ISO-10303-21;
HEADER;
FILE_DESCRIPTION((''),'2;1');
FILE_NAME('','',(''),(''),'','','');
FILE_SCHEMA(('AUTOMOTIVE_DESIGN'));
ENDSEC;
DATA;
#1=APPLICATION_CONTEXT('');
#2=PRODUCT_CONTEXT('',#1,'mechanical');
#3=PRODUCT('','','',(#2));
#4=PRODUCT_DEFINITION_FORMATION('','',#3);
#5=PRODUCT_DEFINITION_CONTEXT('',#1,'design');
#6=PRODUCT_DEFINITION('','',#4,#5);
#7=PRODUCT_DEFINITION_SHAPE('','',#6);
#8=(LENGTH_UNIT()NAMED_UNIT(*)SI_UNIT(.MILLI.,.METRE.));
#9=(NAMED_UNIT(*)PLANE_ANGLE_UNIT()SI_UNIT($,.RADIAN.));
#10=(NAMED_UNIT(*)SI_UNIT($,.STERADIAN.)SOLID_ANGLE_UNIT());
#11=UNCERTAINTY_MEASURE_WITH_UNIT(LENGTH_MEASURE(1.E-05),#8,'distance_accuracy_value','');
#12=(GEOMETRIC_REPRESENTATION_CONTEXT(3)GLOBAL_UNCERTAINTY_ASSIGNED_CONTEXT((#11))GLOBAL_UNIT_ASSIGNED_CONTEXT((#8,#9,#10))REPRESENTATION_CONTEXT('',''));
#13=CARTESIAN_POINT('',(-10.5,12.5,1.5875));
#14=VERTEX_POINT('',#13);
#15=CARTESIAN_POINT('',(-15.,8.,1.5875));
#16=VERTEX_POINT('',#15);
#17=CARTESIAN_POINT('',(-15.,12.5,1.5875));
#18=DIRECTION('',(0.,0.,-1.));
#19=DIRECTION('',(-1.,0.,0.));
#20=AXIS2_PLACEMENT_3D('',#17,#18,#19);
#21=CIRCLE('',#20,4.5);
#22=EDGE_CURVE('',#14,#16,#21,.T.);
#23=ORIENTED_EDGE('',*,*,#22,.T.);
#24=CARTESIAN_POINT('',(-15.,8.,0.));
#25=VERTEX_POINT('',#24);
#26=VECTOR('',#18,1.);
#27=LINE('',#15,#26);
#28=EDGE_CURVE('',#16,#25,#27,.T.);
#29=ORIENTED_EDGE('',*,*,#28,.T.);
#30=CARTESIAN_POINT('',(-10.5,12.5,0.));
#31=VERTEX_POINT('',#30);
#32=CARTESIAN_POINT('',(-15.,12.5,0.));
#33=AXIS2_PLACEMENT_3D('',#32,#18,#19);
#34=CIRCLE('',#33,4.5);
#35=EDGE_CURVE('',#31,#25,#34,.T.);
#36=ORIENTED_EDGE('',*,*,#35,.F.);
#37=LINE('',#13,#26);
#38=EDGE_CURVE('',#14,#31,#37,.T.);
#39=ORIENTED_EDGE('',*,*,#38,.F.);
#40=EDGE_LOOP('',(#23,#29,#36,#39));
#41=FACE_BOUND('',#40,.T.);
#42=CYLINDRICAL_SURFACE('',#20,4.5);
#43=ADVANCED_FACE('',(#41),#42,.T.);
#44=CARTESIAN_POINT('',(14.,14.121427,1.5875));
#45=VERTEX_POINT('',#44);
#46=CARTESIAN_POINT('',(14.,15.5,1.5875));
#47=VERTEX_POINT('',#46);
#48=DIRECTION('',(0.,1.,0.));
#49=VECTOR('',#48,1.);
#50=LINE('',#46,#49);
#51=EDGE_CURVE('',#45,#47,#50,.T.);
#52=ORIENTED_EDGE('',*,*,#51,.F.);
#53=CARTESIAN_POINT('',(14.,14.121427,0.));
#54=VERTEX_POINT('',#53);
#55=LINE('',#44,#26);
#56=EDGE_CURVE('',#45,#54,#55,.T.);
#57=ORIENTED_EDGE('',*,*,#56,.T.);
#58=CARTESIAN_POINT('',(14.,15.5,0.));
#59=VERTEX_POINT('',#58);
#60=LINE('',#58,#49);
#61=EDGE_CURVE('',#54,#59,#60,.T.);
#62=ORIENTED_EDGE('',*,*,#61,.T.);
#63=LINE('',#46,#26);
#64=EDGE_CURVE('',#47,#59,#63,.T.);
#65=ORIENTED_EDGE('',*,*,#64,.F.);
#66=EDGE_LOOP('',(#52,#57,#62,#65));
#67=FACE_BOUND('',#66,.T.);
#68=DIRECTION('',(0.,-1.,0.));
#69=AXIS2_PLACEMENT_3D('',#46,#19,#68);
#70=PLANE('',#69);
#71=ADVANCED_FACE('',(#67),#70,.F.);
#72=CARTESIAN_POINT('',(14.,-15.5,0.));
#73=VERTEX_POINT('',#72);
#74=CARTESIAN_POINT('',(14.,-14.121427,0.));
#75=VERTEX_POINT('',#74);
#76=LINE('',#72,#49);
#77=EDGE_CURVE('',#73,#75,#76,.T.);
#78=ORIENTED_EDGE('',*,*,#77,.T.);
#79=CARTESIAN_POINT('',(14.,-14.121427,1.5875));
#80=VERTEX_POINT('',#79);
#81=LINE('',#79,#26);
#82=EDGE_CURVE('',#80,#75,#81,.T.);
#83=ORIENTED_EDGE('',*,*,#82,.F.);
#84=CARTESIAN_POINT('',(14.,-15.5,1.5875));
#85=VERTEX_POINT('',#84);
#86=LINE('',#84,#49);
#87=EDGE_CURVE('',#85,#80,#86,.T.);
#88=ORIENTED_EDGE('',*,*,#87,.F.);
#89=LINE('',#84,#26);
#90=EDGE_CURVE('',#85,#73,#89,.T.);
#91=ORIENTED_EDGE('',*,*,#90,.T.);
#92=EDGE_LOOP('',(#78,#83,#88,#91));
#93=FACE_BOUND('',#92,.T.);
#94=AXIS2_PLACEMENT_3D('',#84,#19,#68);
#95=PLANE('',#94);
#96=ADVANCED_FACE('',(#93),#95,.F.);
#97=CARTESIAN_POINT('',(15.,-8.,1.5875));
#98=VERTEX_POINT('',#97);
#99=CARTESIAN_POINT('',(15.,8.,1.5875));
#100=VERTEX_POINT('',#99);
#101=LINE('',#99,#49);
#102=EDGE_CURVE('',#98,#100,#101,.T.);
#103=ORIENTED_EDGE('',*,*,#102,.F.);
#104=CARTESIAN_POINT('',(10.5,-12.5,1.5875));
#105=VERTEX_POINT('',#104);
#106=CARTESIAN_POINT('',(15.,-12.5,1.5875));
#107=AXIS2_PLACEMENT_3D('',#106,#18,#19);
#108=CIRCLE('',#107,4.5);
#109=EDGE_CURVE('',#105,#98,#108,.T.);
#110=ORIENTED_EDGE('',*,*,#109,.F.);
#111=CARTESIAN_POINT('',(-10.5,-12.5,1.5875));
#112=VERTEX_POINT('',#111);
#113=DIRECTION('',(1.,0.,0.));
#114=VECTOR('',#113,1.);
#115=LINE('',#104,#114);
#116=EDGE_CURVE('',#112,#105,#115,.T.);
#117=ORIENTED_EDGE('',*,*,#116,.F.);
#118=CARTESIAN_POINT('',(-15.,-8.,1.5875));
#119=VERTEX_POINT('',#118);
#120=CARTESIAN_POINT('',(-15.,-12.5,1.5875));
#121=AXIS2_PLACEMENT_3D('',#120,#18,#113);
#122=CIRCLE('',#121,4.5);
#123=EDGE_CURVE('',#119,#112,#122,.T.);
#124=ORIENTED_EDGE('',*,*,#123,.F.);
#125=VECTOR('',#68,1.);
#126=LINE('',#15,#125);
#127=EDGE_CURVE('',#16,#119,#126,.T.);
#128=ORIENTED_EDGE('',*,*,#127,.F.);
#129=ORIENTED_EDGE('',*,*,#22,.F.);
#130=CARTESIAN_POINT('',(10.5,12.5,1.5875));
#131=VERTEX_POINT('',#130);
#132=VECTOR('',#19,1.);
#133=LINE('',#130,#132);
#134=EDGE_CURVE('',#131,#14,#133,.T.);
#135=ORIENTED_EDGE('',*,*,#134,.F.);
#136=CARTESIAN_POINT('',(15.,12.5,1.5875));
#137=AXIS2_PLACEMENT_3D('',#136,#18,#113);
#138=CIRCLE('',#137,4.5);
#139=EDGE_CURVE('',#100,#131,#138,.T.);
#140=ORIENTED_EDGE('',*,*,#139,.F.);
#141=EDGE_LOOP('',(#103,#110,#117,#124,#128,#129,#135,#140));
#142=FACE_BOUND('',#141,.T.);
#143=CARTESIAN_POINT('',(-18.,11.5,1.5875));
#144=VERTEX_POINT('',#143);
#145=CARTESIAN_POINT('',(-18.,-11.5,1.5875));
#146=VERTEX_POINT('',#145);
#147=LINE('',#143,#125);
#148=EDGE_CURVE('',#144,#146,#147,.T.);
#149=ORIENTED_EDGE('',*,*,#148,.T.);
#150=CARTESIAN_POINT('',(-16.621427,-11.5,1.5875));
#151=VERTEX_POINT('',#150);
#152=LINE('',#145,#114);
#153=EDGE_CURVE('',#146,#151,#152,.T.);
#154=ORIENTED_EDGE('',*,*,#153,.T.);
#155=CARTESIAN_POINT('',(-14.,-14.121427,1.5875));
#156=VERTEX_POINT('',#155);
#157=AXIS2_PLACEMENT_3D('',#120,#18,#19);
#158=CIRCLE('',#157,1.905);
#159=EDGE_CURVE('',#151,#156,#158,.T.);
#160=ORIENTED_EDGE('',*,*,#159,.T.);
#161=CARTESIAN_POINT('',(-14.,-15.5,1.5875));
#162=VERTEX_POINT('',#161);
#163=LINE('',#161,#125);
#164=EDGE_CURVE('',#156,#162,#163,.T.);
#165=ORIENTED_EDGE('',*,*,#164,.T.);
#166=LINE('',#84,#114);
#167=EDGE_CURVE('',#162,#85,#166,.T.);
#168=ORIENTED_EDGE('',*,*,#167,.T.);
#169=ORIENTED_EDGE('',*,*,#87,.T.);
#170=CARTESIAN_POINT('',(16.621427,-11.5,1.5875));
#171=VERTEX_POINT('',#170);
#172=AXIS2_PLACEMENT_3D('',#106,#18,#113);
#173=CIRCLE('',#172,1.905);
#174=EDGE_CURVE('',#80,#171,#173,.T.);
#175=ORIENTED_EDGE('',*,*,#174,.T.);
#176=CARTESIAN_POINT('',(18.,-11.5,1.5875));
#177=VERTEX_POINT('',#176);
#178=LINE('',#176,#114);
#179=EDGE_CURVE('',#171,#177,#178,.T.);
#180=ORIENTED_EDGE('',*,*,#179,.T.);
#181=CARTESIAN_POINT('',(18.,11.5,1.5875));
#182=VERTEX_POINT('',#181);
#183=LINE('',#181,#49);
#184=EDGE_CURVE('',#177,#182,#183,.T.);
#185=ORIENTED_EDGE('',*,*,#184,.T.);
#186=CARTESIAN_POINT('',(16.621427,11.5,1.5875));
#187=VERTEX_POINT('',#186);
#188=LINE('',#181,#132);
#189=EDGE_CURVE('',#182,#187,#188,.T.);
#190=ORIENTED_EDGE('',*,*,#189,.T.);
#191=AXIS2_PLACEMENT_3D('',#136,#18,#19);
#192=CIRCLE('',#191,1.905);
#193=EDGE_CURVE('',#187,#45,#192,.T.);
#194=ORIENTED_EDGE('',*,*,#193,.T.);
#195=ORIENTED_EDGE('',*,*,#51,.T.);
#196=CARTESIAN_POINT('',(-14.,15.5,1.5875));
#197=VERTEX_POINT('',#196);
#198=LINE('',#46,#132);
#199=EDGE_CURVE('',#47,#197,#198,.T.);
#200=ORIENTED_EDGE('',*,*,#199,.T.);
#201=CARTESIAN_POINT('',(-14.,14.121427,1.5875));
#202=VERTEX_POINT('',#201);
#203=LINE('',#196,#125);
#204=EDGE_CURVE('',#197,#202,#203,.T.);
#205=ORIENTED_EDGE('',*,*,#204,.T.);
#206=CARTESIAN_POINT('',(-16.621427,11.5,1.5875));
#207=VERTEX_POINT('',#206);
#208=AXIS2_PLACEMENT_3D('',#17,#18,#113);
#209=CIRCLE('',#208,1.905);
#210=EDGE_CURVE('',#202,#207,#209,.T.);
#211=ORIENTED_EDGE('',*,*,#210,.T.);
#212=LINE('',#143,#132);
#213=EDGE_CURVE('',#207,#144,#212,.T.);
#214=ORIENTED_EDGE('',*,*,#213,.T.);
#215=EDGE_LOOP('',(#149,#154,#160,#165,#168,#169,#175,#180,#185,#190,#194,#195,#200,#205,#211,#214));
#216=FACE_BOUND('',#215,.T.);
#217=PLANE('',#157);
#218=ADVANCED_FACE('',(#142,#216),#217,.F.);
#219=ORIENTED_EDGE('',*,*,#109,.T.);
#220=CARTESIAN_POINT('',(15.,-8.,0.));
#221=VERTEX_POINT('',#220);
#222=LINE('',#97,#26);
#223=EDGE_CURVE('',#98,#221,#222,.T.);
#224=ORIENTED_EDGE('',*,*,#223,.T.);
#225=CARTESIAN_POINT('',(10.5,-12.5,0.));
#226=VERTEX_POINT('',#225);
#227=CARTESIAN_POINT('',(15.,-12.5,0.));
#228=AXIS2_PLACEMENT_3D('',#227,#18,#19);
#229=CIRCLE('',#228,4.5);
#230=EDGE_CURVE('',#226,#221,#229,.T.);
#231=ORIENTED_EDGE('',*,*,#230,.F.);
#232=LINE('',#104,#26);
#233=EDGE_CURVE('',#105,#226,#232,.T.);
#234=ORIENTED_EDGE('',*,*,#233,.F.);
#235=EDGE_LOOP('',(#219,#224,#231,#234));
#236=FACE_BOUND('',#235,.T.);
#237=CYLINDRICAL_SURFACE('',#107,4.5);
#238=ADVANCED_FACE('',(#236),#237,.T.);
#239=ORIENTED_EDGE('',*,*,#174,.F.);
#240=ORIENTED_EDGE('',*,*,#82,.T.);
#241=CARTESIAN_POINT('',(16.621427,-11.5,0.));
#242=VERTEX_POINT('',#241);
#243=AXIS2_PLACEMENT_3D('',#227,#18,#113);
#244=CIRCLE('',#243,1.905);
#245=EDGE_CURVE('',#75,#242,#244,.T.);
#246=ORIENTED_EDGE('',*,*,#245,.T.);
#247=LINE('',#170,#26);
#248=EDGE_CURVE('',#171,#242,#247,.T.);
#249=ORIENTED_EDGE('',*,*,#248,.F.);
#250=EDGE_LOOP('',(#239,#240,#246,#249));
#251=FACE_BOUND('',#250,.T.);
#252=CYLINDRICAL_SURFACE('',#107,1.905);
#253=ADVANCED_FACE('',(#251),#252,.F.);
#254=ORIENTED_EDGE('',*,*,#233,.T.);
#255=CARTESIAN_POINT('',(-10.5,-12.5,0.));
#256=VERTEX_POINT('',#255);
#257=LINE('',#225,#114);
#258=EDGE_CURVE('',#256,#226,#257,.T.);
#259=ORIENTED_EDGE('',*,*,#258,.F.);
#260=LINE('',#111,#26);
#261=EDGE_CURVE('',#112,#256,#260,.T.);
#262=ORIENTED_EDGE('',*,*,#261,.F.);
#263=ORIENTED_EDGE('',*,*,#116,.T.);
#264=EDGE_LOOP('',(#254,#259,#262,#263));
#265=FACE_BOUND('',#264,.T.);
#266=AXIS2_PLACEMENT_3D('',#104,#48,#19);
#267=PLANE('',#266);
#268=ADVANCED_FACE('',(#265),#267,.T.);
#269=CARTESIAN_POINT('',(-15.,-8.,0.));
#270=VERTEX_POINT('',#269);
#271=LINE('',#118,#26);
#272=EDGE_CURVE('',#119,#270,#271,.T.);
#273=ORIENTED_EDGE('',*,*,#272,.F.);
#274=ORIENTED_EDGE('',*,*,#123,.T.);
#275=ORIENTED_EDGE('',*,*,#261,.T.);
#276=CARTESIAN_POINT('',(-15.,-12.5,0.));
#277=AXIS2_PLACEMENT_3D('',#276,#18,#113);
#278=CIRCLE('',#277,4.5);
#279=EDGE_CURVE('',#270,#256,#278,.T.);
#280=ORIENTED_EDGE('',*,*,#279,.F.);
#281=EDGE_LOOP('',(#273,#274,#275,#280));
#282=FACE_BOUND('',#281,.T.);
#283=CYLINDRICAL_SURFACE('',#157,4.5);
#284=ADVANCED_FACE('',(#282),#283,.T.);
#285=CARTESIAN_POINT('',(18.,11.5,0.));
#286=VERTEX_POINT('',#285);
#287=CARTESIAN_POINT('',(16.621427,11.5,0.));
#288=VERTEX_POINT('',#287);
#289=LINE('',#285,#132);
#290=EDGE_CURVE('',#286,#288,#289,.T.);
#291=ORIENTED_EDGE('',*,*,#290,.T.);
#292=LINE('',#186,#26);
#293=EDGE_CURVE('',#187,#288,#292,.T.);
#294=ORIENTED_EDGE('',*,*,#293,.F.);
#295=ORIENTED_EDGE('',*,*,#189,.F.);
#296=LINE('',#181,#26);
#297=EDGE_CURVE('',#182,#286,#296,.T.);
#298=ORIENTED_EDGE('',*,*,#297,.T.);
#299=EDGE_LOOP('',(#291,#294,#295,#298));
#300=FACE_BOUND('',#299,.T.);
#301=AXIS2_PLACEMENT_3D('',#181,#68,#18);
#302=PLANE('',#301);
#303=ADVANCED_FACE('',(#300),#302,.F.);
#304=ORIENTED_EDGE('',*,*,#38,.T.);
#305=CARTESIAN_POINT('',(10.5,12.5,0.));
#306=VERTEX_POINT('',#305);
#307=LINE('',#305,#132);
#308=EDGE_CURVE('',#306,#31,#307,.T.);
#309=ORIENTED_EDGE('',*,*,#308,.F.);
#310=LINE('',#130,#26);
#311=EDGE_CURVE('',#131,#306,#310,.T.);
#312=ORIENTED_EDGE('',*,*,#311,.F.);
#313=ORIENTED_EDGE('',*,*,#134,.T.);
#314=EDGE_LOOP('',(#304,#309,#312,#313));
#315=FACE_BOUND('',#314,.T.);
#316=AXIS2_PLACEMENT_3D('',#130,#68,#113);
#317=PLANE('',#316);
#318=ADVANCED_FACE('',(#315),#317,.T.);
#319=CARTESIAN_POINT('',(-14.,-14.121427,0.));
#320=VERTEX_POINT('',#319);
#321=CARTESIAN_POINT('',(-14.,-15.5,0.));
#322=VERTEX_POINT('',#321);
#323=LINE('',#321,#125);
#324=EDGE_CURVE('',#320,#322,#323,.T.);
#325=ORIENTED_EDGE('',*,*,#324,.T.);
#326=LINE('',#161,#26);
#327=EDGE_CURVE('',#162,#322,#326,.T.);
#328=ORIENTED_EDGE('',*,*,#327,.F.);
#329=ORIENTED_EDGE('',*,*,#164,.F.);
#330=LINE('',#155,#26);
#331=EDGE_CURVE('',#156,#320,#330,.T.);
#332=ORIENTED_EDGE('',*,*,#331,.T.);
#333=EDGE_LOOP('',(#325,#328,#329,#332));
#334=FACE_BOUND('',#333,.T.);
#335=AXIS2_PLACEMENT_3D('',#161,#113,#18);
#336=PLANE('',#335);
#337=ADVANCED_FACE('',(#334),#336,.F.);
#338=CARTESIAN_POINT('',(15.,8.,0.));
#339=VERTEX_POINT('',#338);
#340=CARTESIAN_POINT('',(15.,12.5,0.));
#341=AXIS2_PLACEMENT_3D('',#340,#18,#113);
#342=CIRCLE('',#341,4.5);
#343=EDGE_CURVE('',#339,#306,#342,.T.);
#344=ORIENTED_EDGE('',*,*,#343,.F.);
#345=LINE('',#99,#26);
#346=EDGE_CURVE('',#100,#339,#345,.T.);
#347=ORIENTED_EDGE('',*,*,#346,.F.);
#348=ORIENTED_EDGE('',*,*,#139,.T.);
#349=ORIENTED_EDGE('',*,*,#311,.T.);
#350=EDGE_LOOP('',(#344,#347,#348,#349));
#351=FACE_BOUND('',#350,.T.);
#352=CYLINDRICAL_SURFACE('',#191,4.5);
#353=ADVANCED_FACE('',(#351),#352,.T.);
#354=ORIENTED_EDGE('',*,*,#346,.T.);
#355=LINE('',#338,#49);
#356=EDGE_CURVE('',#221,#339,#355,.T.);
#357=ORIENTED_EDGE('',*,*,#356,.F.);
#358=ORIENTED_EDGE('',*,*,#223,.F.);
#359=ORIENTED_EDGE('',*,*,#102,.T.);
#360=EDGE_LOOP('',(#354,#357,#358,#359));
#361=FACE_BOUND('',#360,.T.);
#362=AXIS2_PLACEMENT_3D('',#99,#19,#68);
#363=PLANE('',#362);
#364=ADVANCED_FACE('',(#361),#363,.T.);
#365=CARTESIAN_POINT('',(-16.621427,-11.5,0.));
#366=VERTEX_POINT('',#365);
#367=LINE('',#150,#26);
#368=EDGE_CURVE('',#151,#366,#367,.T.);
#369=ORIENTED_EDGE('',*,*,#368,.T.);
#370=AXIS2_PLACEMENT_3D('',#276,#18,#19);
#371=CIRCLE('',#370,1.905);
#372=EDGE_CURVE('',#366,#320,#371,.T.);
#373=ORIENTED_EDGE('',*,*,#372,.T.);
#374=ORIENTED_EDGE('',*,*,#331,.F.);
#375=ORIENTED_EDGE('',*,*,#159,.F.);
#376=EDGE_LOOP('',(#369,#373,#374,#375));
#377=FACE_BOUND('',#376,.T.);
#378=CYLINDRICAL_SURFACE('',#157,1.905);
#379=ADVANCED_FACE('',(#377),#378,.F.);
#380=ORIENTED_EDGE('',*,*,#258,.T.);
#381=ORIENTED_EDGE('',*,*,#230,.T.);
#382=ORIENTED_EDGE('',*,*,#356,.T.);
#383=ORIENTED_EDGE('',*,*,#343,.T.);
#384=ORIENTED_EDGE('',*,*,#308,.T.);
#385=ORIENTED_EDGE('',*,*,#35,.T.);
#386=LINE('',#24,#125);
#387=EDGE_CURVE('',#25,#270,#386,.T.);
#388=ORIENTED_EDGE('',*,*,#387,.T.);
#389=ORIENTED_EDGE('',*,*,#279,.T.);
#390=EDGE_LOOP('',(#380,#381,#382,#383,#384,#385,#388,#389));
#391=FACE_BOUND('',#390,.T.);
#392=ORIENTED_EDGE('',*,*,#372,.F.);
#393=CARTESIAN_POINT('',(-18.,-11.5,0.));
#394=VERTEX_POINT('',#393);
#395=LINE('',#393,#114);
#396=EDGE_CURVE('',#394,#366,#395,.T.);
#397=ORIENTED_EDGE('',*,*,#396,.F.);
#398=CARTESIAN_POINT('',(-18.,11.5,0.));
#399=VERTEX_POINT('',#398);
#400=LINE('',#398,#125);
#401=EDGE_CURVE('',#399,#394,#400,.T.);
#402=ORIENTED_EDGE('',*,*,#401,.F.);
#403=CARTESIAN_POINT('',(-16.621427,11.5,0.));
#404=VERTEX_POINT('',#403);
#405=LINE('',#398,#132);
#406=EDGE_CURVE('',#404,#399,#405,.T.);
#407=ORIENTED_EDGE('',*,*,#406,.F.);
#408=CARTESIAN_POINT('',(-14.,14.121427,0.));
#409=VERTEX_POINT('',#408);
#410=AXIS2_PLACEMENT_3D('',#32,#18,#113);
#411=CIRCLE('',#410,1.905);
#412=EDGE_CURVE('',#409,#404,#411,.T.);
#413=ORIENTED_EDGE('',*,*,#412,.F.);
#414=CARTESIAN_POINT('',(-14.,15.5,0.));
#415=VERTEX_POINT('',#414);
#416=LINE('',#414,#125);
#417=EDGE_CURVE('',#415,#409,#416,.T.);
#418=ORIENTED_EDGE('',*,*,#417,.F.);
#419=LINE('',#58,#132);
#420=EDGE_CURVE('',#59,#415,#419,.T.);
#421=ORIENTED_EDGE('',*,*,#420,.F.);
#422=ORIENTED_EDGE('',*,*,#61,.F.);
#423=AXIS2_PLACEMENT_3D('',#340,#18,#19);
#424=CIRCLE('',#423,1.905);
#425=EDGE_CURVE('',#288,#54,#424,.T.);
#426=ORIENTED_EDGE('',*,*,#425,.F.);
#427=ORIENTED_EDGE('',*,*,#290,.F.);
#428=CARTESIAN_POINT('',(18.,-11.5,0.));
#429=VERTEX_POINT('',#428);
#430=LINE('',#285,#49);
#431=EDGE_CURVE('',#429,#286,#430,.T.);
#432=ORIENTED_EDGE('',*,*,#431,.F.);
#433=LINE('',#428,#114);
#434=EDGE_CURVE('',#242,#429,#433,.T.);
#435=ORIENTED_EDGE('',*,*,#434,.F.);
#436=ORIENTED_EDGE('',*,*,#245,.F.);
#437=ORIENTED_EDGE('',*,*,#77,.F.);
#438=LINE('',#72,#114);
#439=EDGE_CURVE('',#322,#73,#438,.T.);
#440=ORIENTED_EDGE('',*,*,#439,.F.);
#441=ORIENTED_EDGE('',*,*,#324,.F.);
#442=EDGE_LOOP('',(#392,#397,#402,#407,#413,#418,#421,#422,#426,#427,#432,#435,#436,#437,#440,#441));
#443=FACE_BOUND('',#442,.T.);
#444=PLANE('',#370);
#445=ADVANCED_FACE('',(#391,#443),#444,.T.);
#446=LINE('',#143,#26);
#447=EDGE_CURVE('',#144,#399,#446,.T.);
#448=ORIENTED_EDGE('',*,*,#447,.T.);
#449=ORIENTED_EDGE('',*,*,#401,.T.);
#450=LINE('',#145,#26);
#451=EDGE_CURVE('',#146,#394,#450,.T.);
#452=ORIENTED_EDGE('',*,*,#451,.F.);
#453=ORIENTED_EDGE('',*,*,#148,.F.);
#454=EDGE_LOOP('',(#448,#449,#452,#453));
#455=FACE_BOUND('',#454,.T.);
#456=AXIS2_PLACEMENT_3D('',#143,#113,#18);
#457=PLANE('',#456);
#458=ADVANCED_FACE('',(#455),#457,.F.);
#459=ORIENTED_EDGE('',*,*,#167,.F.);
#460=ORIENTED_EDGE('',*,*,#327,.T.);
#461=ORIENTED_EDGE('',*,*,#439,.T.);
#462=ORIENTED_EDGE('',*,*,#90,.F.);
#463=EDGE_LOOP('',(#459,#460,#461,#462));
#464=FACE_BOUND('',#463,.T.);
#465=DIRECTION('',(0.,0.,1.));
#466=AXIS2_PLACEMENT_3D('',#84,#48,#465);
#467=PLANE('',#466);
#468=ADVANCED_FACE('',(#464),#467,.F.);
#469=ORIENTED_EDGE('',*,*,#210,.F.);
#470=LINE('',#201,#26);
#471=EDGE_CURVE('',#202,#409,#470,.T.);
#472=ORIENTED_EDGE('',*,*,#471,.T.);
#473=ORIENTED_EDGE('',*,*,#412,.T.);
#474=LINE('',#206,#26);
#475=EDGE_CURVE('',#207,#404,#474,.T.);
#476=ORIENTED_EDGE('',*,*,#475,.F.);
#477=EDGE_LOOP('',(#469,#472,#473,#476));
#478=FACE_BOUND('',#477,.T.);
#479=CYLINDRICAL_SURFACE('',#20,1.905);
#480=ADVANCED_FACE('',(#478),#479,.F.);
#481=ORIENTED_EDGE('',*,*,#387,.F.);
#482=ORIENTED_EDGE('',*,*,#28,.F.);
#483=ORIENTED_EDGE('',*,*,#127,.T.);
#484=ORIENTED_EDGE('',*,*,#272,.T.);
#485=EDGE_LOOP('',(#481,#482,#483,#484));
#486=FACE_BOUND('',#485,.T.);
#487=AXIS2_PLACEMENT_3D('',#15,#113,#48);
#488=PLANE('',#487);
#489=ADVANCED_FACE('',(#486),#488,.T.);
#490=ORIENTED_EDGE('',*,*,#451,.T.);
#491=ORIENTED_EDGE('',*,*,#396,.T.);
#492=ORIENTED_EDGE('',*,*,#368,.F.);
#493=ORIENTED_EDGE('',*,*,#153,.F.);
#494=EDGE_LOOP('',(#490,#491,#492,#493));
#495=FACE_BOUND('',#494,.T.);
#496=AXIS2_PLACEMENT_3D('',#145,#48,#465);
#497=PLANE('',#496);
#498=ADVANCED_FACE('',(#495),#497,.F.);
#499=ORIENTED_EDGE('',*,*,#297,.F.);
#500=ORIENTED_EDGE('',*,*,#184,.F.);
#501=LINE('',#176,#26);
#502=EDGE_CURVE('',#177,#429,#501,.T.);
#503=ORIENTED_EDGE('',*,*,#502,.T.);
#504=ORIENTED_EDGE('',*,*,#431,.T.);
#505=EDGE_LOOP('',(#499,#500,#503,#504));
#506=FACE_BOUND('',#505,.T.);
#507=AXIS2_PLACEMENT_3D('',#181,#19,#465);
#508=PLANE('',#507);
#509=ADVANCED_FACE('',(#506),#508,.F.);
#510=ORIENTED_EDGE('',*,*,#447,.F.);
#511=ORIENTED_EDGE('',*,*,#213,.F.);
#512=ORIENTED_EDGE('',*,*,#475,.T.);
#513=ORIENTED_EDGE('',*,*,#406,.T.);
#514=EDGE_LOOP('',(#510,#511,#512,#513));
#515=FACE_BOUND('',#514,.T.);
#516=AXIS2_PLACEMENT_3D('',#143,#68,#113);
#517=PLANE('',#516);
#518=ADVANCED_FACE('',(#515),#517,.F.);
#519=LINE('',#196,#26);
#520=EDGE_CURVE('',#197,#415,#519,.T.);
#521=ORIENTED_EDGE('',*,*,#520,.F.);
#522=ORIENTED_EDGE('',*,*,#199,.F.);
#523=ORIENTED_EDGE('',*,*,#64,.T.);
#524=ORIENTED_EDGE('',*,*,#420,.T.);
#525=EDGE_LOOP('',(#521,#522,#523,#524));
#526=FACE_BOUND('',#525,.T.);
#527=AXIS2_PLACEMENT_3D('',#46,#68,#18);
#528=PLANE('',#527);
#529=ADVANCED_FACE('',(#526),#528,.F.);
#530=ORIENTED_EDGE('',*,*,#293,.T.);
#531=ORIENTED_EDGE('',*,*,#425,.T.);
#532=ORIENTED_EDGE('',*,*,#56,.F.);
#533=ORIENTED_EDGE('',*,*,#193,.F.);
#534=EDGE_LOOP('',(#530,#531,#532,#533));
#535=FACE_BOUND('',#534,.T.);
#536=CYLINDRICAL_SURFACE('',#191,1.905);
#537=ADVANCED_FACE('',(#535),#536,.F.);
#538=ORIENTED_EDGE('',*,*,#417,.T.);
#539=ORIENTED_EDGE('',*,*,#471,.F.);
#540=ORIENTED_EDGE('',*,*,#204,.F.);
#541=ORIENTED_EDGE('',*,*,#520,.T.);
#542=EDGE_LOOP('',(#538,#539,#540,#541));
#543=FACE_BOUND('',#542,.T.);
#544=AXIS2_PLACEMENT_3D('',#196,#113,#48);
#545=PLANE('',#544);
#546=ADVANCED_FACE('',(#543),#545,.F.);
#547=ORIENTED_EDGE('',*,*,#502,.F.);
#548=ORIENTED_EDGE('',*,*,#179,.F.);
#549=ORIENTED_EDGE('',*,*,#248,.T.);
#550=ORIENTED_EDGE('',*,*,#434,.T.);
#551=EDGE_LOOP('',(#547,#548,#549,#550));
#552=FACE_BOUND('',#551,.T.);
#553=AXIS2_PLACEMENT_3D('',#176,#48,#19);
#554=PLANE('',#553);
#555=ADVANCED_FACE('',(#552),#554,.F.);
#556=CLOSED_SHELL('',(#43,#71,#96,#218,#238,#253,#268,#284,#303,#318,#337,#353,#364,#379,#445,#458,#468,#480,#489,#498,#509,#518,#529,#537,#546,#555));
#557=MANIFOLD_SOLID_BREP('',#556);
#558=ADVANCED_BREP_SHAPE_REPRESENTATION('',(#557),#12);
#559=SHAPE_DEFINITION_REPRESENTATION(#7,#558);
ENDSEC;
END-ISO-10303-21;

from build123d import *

# Parameters (mm, degrees)
BOSS_EXTRUDE1_DEPTH = 1.5875


with BuildPart() as part:
    # Sketch1 → Boss-Extrude1 (new body)
    with BuildSketch(Plane.XY):
        with BuildLine():
            Line((-18, 11.5), (-18, -11.5))
            Line((-18, -11.5), (-16.621426841, -11.5))
            ThreePointArc((-16.621426841, -11.5), (-13.652961582, -11.152961582), (-14, -14.121426841))
            Line((-14, -14.121426841), (-14, -15.5))
            Line((-14, -15.5), (14, -15.5))
            Line((14, -15.5), (14, -14.121426841))
            ThreePointArc((14, -14.121426841), (13.652961582, -11.152961582), (16.621426841, -11.5))
            Line((16.621426841, -11.5), (18, -11.5))
            Line((18, -11.5), (18, 11.5))
            Line((18, 11.5), (16.621426841, 11.5))
            ThreePointArc((16.621426841, 11.5), (13.652961582, 11.152961582), (14, 14.121426841))
            Line((14, 14.121426841), (14, 15.5))
            Line((14, 15.5), (-14, 15.5))
            Line((-14, 15.5), (-14, 14.121426841))
            ThreePointArc((-14, 14.121426841), (-13.652961582, 11.152961582), (-16.621426841, 11.5))
            Line((-16.621426841, 11.5), (-18, 11.5))
        make_face()
        with BuildLine():
            Line((-15, 8), (-15, -8))
            ThreePointArc((-15, -8), (-11.818019485, -9.318019485), (-10.5, -12.5))
            Line((-10.5, -12.5), (10.5, -12.5))
            ThreePointArc((10.5, -12.5), (11.818019485, -9.318019485), (15, -8))
            Line((15, -8), (15, 8))
            ThreePointArc((15, 8), (11.818019485, 9.318019485), (10.5, 12.5))
            Line((10.5, 12.5), (-10.5, 12.5))
            ThreePointArc((-10.5, 12.5), (-11.818019485, 9.318019485), (-15, 8))
        make_face(mode=Mode.SUBTRACT)
    extrude(amount=BOSS_EXTRUDE1_DEPTH)


solid = part.part
